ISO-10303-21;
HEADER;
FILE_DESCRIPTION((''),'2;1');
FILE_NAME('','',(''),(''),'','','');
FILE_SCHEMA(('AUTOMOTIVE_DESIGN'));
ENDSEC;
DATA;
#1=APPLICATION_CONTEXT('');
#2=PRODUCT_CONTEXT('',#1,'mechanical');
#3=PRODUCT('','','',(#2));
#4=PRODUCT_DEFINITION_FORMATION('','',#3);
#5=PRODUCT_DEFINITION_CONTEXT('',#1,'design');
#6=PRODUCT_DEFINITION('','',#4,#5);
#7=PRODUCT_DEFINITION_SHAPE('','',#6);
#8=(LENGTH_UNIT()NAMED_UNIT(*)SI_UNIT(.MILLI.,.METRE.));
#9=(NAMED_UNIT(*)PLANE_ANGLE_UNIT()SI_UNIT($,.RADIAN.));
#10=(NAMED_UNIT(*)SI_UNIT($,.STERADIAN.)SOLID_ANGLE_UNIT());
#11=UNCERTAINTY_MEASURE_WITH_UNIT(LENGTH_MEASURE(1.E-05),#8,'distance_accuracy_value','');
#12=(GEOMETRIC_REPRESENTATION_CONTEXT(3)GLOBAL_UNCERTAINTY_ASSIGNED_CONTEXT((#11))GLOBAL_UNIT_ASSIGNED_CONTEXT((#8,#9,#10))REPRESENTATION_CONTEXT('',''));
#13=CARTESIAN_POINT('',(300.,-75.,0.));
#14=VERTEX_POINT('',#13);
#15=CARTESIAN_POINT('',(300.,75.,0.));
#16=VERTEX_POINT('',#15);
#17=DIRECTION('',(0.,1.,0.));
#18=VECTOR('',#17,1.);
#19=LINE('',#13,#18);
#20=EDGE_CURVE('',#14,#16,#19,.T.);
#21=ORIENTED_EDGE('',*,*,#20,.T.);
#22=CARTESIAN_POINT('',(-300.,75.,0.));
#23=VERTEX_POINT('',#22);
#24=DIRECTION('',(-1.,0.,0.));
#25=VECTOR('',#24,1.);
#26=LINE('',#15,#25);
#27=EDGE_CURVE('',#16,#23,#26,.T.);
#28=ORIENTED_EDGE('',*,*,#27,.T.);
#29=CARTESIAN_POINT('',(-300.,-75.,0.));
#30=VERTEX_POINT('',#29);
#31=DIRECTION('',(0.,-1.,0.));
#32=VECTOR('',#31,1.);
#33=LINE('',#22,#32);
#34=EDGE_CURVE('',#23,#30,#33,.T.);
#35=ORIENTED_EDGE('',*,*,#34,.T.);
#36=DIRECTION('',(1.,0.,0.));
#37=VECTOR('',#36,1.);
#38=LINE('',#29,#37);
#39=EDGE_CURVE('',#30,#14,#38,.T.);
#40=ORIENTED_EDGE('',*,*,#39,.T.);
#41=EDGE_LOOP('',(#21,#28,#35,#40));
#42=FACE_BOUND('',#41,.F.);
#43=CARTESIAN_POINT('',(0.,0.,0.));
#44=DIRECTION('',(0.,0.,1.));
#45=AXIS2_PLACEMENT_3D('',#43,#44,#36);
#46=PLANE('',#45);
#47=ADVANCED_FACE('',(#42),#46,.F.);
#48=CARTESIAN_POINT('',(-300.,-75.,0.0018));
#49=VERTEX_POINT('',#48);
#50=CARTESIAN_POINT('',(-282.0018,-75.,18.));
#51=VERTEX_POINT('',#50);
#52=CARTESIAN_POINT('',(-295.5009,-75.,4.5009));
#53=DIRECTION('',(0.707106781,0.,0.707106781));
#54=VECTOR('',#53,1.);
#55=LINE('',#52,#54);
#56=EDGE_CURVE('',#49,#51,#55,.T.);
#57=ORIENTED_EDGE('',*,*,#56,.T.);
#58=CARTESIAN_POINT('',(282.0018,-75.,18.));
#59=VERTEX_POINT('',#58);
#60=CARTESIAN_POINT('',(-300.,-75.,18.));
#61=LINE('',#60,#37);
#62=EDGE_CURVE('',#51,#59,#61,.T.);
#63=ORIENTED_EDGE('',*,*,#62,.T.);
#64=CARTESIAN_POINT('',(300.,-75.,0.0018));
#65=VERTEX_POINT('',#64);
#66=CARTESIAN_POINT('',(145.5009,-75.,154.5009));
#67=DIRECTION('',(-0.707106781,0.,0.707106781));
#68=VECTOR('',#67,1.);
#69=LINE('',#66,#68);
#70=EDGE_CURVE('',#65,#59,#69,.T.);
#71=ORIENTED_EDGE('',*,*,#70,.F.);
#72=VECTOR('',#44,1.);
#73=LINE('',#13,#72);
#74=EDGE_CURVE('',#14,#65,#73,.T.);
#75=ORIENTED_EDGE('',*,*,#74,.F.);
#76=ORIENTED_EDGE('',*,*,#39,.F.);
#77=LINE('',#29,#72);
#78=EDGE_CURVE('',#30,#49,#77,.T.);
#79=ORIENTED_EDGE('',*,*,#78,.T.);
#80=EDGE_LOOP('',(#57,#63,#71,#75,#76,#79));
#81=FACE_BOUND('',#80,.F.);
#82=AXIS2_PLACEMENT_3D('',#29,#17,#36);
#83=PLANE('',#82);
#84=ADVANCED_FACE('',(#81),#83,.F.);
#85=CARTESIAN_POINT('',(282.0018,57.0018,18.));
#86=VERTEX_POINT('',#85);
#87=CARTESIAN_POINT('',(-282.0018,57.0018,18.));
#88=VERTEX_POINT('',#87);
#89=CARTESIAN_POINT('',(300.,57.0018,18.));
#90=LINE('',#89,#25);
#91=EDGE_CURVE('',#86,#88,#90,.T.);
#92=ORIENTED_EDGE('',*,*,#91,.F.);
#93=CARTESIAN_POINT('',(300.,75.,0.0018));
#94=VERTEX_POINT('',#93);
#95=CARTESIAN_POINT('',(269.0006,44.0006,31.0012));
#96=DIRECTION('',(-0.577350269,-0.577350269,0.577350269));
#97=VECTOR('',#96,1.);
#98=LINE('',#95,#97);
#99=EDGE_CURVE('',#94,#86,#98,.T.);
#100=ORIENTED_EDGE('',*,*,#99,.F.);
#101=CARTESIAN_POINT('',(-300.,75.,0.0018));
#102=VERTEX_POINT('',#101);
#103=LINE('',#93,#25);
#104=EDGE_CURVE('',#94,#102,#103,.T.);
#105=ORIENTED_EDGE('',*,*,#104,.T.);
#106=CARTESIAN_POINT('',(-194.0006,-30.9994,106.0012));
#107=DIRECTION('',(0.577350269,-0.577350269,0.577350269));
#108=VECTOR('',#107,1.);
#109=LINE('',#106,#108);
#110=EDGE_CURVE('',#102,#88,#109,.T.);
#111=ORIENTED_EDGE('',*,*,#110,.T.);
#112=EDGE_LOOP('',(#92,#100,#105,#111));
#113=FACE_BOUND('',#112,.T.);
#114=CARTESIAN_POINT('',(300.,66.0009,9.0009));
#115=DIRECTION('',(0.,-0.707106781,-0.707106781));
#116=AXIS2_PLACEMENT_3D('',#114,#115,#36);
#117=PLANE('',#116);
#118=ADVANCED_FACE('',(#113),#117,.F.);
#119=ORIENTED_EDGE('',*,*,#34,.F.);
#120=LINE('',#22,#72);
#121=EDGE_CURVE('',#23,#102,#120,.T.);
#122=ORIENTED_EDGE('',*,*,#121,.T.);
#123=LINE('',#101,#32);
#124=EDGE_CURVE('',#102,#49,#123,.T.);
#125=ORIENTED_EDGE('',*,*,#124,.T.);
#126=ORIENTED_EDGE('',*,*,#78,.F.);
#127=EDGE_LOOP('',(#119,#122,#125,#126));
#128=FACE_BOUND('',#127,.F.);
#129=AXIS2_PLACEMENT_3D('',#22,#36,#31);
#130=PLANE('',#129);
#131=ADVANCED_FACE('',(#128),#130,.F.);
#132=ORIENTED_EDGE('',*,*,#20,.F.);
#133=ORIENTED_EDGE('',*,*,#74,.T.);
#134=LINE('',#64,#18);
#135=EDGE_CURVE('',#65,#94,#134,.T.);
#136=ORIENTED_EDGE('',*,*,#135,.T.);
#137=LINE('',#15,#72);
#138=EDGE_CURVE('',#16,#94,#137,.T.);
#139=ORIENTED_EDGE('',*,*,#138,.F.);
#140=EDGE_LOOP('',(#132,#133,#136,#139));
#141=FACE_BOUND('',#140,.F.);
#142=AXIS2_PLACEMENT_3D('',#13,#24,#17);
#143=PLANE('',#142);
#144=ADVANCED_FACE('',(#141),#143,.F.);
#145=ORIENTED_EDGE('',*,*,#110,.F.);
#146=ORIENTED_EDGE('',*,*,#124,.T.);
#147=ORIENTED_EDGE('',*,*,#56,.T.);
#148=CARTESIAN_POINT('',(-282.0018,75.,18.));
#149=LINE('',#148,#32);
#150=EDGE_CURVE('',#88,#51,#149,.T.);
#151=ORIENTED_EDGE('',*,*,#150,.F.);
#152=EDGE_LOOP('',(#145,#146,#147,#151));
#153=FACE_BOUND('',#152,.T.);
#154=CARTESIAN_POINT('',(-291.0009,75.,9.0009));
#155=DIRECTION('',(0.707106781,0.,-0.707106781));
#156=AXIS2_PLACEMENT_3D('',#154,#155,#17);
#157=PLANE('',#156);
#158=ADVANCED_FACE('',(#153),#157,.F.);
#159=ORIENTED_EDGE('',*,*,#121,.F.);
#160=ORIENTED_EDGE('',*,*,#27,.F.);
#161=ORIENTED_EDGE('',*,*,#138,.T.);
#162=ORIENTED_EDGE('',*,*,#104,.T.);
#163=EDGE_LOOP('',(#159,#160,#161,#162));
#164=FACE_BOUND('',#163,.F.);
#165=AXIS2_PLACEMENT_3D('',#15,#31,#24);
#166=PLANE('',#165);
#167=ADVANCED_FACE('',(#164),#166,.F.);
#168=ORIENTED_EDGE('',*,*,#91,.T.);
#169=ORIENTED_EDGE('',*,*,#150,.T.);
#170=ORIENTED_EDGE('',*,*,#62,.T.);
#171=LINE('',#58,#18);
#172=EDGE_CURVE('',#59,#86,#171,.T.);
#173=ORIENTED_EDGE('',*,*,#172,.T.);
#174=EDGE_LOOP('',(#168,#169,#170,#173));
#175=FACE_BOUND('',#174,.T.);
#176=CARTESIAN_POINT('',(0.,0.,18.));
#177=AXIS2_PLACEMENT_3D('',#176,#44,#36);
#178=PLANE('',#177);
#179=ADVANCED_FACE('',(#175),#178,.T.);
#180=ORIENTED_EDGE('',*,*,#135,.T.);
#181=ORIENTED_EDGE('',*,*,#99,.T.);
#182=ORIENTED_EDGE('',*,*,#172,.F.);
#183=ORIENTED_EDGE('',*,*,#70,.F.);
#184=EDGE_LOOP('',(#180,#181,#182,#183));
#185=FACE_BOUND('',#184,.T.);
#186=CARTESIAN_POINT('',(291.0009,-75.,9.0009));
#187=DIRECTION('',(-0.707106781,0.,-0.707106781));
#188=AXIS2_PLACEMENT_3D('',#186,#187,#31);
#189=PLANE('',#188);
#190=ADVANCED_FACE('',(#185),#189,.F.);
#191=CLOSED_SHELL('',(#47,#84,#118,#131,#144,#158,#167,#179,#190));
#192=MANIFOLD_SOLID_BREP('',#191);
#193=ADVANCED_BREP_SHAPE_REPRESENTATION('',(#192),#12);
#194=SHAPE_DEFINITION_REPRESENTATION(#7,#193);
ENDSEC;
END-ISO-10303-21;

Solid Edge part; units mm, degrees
sketch "Sketch1" plane through (0, 0, 0) normal (0, 0, 1) x (1, 0, 0)
  line L0 (-300, -75) -> (300, -75)
  line L1 (300, -75) -> (300, 75)
  line L2 (300, 75) -> (-300, 75)
  line L3 (-300, 75) -> (-300, -75)
extrude "Protrusion1" add sketch "Sketch1" along normal blind 18
chamfer "Chamfer_1" distance 18 angle 45 3 edges at (300, 0, 18) (0, 75, 18) (-300, 0, 18)
properties material "Wood, Mahogany"
